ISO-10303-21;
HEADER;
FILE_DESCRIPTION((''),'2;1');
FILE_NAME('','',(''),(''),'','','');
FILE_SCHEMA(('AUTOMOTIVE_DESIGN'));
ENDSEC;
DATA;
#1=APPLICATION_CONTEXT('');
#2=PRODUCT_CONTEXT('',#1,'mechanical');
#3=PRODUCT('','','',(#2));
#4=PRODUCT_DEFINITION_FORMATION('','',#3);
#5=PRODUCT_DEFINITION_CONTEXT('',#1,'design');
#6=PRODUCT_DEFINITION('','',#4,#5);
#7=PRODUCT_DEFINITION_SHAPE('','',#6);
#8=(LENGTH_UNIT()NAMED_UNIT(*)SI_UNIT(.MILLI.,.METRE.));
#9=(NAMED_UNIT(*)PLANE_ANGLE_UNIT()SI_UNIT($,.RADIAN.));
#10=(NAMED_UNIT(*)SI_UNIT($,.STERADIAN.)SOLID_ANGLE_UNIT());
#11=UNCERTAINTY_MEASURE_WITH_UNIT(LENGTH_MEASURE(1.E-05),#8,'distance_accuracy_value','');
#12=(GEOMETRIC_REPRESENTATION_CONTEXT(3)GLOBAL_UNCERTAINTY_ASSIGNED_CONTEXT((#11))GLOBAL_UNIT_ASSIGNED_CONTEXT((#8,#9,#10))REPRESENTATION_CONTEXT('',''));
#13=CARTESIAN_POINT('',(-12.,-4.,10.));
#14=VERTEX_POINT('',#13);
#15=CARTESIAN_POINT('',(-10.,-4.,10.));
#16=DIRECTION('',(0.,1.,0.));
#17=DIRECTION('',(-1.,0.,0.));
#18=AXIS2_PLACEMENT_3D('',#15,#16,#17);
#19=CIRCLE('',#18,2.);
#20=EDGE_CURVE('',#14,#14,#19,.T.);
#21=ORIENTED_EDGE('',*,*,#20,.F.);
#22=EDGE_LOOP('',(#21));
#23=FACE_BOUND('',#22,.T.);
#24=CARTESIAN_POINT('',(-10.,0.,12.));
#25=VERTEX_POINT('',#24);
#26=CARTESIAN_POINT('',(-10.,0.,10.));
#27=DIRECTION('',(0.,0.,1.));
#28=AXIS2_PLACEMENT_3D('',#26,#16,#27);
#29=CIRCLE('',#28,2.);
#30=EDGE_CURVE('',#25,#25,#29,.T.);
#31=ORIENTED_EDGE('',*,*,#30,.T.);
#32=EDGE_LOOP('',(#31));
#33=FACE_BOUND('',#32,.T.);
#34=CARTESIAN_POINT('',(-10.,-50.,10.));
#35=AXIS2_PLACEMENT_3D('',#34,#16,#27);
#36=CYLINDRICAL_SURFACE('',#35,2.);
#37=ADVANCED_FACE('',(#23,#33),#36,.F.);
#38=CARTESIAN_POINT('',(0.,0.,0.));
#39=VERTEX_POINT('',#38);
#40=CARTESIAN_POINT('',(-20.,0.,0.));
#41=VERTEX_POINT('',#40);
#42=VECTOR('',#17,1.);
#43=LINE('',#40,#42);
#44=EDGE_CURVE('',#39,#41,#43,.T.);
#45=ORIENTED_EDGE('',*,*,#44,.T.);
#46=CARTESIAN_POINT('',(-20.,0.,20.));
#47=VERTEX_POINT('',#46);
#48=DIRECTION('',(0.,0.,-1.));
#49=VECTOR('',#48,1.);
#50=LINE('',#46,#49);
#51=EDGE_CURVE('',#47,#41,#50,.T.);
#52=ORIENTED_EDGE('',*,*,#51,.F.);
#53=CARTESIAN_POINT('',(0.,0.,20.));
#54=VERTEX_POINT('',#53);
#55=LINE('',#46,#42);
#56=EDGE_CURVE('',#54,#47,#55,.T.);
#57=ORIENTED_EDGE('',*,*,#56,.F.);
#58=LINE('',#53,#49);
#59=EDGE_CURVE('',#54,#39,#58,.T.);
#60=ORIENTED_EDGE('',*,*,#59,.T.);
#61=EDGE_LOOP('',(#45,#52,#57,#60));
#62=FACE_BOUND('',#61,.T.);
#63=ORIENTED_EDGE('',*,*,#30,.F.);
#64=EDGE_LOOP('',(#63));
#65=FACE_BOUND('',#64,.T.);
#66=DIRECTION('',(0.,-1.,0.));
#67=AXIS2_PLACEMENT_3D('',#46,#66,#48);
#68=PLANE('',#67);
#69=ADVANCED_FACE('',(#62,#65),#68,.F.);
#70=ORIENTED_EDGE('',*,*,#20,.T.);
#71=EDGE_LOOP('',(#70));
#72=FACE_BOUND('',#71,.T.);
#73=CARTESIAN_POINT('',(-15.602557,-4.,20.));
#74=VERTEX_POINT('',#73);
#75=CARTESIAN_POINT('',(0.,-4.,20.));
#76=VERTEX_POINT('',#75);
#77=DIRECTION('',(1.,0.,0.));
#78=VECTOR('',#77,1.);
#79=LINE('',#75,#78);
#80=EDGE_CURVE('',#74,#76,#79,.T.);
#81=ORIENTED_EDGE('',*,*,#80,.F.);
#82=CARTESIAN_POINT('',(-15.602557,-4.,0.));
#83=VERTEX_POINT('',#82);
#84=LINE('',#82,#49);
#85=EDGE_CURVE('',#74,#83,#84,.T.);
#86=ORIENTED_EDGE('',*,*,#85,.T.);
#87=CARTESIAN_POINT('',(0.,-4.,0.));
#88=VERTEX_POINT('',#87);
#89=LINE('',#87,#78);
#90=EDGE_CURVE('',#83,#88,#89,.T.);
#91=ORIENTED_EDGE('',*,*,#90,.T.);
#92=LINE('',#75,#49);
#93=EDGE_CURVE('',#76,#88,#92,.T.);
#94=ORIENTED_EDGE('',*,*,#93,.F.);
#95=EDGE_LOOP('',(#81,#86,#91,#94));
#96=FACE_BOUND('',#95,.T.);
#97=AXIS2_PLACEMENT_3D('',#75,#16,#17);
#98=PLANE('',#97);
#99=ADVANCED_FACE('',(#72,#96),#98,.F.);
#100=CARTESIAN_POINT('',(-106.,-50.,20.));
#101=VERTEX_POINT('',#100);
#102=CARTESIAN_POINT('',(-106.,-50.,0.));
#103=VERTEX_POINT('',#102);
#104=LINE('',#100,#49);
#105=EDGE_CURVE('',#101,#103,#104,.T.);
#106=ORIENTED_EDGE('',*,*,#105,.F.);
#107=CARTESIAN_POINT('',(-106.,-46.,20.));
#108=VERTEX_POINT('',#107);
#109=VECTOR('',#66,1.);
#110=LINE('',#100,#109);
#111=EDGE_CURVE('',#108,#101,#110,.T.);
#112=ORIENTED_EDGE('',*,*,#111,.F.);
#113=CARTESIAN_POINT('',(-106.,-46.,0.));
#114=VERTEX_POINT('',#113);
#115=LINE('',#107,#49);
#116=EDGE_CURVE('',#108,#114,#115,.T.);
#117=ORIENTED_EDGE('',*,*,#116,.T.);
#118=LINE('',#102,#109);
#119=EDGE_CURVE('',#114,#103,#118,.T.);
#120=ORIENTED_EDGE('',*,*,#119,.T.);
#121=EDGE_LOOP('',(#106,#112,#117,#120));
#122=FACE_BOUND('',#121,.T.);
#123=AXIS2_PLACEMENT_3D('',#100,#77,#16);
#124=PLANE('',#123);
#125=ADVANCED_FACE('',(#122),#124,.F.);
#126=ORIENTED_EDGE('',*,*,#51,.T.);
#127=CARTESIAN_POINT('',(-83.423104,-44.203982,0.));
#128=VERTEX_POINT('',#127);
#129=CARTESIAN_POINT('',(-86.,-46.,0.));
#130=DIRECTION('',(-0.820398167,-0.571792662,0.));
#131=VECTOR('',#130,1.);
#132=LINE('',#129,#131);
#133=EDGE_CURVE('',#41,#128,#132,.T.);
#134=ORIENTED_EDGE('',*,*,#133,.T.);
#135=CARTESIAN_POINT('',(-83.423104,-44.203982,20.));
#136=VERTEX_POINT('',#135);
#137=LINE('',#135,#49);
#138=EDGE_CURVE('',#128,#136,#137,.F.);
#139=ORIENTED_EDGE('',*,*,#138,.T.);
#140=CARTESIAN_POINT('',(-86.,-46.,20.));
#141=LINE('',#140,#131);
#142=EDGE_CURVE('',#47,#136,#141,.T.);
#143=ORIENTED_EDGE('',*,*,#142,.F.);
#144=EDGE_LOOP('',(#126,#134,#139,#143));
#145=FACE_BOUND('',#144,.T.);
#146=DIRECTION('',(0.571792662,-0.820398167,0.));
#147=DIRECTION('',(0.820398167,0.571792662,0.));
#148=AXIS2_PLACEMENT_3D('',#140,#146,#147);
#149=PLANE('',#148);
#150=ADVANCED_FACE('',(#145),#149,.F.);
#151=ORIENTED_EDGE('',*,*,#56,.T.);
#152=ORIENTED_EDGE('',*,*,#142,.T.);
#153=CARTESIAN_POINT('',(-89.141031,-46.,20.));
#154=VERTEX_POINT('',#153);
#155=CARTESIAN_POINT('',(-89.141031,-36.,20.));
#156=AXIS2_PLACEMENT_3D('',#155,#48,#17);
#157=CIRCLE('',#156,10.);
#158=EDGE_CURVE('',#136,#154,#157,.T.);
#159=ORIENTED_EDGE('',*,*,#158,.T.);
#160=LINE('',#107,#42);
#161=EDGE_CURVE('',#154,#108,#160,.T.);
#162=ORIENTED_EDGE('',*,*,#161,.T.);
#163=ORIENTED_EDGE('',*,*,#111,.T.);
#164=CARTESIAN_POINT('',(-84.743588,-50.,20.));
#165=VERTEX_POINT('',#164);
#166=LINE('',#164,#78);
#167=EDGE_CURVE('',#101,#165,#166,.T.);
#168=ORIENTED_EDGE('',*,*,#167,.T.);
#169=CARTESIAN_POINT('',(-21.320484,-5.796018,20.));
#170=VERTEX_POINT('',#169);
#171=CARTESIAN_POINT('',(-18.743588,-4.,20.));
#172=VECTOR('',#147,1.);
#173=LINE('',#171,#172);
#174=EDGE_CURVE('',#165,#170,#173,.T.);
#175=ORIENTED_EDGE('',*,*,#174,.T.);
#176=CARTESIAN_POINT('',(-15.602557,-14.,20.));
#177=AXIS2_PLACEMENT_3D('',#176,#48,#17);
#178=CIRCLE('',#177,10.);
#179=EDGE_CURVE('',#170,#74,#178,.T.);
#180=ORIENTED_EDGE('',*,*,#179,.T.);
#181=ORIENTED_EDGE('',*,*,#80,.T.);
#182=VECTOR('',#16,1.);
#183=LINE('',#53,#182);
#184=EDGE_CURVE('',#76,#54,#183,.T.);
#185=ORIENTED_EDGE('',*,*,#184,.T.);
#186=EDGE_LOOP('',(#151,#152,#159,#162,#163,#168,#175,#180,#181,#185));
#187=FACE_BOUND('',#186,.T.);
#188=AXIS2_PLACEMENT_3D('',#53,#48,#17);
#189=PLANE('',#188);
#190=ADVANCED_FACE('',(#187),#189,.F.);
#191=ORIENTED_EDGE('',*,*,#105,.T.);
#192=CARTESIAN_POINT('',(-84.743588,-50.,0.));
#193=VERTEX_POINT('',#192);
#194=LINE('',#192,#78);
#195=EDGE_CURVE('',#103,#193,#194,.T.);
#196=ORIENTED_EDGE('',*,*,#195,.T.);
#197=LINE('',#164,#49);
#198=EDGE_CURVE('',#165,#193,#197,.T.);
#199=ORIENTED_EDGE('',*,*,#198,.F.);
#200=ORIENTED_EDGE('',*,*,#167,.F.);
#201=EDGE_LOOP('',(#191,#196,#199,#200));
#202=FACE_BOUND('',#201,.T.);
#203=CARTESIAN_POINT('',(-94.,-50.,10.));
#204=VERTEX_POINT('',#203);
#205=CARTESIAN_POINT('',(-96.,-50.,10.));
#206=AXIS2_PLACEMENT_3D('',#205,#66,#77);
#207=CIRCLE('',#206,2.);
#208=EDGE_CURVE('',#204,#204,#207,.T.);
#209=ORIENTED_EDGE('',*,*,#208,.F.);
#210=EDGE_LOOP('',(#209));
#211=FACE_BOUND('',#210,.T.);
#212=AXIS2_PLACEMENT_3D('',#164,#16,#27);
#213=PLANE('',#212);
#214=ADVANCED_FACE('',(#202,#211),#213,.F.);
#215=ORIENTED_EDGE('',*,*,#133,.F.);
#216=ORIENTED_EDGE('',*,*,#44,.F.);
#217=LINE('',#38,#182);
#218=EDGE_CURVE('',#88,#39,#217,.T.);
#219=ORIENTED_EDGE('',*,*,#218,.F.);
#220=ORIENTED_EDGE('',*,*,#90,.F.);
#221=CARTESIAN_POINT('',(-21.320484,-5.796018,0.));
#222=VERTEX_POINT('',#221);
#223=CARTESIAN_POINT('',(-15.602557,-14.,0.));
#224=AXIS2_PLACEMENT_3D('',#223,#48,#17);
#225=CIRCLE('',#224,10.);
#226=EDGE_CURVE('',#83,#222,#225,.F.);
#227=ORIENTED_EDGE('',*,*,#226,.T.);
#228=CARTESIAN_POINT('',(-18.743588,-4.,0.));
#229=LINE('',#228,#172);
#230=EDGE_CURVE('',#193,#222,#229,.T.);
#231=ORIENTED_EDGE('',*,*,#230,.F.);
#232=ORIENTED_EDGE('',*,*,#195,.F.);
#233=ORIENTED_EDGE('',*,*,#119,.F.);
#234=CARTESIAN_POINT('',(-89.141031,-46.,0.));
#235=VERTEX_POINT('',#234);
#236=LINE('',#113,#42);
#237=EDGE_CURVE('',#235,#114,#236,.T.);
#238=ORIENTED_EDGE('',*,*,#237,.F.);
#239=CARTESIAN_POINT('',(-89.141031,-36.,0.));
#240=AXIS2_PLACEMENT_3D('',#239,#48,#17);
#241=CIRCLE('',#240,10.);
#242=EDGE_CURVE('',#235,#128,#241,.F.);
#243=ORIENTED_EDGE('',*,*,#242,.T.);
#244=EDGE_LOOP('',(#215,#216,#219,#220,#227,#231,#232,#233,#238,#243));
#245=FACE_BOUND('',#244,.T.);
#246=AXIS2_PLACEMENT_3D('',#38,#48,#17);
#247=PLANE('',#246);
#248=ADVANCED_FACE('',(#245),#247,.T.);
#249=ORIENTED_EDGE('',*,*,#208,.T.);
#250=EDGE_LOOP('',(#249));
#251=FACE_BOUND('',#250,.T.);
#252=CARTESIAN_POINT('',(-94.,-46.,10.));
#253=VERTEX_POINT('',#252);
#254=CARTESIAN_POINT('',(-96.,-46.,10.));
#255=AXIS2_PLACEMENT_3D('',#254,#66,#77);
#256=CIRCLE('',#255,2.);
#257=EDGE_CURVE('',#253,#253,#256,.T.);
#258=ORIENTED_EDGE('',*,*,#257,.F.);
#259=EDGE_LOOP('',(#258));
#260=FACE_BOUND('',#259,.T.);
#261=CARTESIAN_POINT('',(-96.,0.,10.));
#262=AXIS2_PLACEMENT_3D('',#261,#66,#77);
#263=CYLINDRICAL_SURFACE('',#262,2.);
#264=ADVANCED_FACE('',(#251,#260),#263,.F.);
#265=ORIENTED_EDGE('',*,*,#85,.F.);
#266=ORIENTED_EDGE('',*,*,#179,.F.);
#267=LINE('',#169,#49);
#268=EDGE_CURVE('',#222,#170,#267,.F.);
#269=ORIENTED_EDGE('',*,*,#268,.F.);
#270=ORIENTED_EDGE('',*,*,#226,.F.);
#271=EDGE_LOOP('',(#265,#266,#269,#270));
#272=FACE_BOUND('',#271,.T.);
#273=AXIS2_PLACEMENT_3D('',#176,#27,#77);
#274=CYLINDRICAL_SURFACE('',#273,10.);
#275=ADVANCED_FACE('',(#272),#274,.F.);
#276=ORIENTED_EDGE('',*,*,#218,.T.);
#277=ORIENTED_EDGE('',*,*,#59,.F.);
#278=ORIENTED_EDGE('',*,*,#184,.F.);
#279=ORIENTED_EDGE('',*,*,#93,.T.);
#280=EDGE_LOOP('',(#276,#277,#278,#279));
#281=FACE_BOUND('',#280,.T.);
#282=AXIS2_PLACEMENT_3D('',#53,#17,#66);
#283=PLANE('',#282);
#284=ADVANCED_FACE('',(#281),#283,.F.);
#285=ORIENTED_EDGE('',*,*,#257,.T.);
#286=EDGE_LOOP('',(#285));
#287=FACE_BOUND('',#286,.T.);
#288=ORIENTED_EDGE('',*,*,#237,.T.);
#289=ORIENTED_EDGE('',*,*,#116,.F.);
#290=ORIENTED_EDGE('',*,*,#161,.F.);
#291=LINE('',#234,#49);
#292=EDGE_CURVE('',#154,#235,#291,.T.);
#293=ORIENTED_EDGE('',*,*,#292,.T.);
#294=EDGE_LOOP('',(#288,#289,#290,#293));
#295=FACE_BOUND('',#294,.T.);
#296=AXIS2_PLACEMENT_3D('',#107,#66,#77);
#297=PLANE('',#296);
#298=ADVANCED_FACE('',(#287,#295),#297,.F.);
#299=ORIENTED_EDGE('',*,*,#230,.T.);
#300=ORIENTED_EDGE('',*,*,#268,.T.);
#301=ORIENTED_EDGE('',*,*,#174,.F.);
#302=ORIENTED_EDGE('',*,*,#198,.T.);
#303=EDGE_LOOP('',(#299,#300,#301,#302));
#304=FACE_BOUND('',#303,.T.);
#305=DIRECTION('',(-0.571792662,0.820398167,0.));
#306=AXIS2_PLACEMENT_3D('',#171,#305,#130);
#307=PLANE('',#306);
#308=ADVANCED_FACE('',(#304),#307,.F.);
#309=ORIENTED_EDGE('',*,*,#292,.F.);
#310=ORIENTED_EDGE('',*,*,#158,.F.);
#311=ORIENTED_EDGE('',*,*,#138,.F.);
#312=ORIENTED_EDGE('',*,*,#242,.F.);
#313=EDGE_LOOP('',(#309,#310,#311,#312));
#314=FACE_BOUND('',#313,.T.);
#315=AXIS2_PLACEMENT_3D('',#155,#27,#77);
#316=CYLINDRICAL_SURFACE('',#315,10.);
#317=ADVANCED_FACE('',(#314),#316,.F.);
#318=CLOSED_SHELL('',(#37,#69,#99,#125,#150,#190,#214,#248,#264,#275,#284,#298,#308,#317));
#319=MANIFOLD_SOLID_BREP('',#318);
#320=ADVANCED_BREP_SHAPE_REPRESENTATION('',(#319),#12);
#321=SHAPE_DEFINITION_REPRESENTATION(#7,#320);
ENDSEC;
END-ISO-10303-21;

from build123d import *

# Parameters (mm, degrees)
EXTRUDE_1_DEPTH     = 20
SKETCH_13_R         = 2
CUT_EXTRUDE_7_DEPTH = 51
SKETCH_16_R         = 2
CUT_EXTRUDE_8_DEPTH = 51
FILLET_2_R          = 10


with BuildPart() as part:
    # 草图2 → 凸台-拉伸1 (new body)
    with BuildSketch(Plane.XY):
        Polygon((0, 0), (0, -4), (-18.7435877, -4), (-84.7435877, -50), (-106, -50), (-106, -46), (-86, -46), (-20, 0), align=None)
    extrude(amount=EXTRUDE_1_DEPTH)

    # 草图13 → 切除-拉伸7 (cut, through all)
    with BuildSketch(Plane(origin=(0, 0, 0), x_dir=(1, 0, 0), z_dir=(0, 1, 0))):
        with Locations((-10, -10)):
            Circle(SKETCH_13_R)
    extrude(amount=-CUT_EXTRUDE_7_DEPTH, mode=Mode.SUBTRACT)

    # 草图16 → 切除-拉伸8 (cut, through all)
    with BuildSketch(Plane.XZ.offset(50)):
        with Locations((-96, 10)):
            Circle(SKETCH_16_R)
    extrude(amount=-CUT_EXTRUDE_8_DEPTH, mode=Mode.SUBTRACT)

    # 圆角2
    fillet_2_edges = [part.edges().sort_by_distance(p)[0] for p in [
        (-18.7435877, -4, 10),
        (-86, -46, 10),
    ]]
    fillet(fillet_2_edges, radius=FILLET_2_R)


solid = part.part
